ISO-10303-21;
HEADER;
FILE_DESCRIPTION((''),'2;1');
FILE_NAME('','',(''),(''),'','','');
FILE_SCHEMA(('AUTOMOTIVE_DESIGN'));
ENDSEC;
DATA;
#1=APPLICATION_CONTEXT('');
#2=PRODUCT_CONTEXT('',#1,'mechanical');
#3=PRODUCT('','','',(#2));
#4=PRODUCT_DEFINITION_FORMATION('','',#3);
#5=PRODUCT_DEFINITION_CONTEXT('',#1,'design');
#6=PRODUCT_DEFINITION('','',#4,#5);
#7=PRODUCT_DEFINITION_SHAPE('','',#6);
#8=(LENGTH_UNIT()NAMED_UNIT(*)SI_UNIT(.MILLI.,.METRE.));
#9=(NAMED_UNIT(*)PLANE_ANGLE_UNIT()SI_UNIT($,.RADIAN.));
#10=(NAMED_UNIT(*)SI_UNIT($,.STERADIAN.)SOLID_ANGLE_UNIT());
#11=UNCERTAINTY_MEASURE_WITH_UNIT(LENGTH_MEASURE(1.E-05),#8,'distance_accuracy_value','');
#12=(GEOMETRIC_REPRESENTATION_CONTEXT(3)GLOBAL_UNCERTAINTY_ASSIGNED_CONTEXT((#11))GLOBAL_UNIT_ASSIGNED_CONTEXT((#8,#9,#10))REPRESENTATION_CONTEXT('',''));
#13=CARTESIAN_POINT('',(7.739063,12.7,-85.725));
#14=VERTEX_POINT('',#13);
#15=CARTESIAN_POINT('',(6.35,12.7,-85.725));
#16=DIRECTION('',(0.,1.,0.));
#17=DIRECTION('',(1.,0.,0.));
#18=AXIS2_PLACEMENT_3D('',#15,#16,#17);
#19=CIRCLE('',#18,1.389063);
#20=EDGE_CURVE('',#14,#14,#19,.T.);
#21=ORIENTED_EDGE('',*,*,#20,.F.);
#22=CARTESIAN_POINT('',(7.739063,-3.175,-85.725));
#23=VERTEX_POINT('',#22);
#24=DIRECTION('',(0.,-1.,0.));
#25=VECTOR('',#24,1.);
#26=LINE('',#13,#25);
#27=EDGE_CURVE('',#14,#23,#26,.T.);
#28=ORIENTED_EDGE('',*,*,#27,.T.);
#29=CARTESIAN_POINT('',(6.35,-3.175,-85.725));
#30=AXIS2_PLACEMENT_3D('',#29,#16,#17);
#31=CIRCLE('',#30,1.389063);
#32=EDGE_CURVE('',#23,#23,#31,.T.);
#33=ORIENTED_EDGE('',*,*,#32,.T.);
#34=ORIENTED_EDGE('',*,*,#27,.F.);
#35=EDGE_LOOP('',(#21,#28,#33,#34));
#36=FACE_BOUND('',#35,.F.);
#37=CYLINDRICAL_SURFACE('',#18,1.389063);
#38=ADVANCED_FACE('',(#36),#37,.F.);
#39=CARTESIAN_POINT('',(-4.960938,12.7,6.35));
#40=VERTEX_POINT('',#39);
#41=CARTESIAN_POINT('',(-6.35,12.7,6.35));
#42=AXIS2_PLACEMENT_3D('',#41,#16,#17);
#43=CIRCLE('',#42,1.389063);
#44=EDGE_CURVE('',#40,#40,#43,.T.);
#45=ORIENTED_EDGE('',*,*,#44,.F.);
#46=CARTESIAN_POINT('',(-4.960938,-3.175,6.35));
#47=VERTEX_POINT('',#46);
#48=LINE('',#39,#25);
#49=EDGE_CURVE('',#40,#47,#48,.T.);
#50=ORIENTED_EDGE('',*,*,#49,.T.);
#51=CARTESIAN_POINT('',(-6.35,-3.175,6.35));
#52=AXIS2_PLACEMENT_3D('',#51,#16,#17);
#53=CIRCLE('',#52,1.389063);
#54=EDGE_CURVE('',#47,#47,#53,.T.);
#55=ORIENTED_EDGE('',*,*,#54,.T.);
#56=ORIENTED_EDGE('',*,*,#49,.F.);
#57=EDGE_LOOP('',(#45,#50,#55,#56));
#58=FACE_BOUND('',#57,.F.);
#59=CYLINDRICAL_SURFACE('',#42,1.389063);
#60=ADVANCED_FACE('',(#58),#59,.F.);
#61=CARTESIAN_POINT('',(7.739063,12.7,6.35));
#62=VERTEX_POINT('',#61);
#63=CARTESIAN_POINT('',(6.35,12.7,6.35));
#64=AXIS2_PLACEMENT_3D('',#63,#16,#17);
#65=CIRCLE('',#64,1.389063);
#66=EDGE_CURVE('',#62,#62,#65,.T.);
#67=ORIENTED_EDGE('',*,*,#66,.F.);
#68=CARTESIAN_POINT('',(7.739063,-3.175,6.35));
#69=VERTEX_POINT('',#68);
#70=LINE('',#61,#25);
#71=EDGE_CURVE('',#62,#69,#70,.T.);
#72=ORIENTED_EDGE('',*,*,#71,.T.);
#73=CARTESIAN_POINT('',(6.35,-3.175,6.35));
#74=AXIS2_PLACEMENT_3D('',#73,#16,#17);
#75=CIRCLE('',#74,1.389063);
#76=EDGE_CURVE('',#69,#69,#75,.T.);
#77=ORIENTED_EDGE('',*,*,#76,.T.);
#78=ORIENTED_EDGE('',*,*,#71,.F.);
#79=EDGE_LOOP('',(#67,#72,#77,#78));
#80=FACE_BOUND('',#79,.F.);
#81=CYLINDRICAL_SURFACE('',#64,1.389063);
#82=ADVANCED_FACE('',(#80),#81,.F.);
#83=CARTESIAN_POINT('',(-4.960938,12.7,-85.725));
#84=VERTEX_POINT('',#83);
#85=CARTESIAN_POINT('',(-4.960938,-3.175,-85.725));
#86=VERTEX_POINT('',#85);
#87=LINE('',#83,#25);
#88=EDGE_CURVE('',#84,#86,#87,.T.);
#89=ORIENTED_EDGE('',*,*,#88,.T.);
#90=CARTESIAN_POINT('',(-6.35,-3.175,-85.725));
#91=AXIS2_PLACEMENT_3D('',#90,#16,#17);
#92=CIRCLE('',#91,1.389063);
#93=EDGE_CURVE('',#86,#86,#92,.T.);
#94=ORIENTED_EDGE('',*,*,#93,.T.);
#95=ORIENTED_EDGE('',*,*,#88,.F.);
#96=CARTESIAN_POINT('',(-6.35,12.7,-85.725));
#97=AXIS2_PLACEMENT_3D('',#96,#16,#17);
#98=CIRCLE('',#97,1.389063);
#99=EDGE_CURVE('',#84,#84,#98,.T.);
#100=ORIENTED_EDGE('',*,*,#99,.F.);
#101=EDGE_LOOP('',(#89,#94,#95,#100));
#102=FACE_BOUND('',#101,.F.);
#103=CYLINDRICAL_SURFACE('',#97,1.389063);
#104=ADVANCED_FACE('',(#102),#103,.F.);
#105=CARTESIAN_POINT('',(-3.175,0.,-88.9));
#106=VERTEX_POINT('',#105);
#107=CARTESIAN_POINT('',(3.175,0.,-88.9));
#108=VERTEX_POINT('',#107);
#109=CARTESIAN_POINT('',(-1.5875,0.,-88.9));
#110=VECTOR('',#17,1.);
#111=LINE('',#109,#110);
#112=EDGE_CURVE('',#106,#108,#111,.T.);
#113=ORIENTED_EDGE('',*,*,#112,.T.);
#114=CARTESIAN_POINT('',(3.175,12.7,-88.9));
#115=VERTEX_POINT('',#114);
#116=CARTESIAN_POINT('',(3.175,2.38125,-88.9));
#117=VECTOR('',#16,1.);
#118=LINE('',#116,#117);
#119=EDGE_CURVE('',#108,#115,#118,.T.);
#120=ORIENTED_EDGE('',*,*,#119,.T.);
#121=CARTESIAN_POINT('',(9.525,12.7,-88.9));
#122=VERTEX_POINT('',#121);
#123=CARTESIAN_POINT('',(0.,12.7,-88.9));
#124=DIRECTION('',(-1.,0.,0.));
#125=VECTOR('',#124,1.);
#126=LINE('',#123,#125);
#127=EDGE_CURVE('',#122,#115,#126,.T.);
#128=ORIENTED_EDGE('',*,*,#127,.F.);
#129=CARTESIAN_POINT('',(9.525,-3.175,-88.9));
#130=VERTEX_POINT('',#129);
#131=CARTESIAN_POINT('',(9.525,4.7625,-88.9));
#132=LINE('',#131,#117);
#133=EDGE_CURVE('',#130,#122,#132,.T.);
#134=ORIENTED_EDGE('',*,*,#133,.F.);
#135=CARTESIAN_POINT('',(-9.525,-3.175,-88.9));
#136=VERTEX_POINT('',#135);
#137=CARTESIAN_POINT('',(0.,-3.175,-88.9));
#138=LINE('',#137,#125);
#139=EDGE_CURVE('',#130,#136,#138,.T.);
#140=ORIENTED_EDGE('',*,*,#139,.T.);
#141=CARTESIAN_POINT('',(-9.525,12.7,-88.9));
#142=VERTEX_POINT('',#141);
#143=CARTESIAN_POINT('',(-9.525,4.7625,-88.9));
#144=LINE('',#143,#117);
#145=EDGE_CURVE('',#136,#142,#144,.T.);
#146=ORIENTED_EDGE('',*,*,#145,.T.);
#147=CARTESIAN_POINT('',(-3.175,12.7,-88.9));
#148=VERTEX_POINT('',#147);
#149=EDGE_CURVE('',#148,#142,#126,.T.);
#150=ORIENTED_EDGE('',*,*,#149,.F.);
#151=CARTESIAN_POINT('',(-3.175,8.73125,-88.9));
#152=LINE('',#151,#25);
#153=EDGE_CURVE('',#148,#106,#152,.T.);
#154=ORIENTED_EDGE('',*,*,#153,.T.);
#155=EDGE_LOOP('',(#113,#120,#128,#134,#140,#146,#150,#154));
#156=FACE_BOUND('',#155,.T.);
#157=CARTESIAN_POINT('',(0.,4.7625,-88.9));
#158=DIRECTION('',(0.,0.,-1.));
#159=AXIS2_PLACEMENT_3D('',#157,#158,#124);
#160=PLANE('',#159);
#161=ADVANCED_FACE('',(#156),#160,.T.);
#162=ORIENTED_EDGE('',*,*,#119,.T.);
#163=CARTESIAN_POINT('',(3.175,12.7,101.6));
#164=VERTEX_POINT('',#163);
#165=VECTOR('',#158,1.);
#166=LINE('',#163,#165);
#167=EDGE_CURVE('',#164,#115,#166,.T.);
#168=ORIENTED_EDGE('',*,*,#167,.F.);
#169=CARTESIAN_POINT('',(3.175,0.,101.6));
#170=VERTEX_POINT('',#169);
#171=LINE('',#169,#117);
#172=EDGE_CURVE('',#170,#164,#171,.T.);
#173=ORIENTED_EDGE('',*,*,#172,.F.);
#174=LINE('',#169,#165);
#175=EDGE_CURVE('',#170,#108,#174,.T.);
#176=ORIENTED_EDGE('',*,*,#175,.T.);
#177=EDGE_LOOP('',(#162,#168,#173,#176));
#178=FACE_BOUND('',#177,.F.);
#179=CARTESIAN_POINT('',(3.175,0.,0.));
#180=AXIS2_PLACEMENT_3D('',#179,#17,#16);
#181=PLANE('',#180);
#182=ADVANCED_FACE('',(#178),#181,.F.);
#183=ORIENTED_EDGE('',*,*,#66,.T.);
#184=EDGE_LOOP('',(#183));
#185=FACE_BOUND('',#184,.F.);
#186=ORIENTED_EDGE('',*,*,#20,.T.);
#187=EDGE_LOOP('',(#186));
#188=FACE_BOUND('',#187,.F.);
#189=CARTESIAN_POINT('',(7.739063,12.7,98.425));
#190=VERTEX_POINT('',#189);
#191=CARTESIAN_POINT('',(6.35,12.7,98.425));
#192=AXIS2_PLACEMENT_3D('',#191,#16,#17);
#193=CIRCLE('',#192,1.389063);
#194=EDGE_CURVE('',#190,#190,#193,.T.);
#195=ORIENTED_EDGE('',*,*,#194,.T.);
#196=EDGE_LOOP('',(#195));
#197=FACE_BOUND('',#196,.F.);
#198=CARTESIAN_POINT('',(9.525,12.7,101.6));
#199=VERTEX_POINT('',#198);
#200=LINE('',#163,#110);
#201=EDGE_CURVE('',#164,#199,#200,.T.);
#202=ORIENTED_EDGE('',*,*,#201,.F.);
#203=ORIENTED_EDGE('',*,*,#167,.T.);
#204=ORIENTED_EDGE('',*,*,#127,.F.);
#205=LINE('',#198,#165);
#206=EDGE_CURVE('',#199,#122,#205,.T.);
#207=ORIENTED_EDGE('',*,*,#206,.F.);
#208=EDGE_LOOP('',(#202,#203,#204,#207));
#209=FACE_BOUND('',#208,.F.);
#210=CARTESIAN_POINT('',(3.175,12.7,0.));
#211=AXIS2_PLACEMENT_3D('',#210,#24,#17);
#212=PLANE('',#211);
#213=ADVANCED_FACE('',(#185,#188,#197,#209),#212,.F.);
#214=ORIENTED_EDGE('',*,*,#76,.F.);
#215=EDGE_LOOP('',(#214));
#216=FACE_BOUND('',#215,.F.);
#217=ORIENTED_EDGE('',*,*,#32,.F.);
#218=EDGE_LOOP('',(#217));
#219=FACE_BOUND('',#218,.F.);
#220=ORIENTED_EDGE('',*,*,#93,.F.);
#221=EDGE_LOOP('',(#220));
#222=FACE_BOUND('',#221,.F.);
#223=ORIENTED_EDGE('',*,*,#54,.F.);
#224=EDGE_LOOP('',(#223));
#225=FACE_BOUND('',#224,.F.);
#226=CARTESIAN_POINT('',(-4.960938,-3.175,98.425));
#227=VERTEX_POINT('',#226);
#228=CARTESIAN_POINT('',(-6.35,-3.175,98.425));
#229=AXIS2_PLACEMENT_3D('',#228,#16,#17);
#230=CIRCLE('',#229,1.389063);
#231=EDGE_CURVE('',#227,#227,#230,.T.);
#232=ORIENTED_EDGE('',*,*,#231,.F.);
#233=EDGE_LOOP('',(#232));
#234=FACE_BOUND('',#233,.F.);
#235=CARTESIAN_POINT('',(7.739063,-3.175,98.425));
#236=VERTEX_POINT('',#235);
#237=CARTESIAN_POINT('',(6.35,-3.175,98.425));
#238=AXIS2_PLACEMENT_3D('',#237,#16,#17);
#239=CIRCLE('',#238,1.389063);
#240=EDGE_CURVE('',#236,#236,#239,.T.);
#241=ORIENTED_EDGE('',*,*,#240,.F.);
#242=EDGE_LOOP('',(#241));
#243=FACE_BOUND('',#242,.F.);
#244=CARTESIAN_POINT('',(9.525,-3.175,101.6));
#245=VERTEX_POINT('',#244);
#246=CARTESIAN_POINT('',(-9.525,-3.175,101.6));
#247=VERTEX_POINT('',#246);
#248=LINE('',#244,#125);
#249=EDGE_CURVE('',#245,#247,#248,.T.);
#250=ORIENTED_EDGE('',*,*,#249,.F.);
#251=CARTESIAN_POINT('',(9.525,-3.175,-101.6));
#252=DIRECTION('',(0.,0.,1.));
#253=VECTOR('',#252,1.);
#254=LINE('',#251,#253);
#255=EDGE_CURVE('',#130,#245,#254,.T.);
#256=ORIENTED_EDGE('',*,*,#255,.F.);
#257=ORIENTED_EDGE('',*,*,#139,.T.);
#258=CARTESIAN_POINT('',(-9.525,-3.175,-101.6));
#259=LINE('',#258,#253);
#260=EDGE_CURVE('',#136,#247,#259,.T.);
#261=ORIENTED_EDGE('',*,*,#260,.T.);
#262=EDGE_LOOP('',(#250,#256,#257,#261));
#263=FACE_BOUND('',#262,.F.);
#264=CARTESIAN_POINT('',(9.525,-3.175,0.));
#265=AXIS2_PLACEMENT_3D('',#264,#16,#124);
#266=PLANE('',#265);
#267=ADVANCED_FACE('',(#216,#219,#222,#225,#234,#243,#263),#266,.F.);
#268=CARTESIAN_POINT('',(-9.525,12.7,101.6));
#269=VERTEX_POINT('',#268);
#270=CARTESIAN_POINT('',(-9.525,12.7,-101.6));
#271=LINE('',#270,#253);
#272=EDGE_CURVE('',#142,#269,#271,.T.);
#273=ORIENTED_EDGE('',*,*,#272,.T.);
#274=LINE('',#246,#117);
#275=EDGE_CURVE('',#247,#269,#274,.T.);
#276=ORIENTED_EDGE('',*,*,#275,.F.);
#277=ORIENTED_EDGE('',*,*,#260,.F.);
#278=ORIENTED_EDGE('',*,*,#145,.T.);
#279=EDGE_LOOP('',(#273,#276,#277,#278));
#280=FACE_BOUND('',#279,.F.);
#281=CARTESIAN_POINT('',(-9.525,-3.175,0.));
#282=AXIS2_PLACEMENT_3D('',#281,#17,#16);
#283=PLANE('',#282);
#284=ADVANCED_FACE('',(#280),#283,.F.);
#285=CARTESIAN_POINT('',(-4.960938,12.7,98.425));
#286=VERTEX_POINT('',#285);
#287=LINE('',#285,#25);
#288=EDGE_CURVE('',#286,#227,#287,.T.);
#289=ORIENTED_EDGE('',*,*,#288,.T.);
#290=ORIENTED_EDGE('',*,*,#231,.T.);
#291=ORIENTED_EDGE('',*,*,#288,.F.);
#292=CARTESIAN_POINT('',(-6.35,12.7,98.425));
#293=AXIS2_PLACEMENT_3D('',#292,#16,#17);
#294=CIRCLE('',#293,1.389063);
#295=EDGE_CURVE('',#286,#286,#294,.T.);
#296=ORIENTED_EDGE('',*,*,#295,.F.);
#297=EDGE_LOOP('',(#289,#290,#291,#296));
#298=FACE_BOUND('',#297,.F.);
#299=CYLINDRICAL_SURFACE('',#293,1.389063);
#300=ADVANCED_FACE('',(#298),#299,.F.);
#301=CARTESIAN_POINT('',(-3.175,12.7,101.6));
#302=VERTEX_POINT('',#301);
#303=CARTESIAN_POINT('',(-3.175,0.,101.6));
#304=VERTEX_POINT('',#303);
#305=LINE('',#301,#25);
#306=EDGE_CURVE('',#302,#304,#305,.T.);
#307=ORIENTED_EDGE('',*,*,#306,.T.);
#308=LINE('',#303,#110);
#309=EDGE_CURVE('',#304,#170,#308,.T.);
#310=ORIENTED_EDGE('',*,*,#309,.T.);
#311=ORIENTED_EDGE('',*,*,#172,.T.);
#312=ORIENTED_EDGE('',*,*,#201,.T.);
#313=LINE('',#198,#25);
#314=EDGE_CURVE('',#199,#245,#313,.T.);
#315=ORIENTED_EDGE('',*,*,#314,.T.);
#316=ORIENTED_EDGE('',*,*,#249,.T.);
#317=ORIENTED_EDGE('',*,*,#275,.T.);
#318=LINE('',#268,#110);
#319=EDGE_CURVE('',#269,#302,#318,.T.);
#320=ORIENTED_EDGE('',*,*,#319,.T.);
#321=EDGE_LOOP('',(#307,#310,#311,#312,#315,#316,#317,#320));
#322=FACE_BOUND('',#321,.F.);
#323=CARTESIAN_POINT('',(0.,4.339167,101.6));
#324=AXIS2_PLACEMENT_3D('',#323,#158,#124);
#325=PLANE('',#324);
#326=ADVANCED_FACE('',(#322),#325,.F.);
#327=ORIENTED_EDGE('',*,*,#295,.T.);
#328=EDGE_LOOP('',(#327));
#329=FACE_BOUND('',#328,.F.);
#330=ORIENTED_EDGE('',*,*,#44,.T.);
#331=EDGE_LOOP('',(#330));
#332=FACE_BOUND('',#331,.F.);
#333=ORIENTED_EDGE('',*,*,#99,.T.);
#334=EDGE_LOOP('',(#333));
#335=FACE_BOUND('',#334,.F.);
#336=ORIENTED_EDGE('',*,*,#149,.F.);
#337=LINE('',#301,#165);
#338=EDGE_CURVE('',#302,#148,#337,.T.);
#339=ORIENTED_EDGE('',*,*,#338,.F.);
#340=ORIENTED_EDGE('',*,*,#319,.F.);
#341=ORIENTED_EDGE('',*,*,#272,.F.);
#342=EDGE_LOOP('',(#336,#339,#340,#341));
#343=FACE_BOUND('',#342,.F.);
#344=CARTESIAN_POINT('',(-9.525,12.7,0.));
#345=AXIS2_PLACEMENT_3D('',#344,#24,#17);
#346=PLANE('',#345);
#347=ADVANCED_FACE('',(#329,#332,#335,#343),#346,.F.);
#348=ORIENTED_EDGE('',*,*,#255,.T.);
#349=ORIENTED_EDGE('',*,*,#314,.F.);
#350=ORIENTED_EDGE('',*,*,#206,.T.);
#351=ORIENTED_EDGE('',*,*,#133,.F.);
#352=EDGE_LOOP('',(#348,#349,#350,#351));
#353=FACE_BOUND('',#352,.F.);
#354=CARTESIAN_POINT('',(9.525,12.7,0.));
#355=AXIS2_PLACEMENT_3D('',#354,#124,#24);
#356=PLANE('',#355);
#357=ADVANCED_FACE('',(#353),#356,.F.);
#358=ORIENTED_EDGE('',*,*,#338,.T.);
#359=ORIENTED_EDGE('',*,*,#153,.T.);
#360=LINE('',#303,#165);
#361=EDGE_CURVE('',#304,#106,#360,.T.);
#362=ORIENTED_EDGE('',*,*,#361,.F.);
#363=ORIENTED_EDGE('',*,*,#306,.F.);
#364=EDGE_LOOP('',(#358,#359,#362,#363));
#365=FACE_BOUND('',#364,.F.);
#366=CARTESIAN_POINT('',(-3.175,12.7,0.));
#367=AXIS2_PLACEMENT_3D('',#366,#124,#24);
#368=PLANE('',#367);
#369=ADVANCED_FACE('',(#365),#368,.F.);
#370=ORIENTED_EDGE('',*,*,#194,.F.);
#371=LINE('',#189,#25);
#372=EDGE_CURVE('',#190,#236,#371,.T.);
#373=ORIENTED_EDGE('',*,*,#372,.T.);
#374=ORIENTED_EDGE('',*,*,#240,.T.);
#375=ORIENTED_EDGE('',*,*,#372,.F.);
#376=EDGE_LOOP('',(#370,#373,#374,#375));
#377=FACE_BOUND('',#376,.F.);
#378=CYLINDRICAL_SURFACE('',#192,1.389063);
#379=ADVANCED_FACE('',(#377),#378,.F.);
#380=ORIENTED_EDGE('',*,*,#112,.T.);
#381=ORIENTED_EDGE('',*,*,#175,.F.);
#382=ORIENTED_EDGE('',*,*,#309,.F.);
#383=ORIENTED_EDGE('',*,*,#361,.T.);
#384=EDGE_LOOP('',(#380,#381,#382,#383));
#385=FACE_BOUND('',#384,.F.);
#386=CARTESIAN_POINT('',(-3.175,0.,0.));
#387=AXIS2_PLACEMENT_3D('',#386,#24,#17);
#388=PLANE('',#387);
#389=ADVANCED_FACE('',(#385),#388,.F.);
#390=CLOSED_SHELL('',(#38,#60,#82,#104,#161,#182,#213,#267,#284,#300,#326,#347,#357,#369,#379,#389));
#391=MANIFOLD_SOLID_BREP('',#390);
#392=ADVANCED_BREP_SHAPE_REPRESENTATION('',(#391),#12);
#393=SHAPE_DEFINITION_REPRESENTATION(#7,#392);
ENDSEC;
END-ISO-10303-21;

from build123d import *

# Parameters (mm, degrees)
BOSS_EXTRUDE1_DEPTH     = 101.6
SKETCH2_W               = 19.05
SKETCH2_H               = 15.875
CUT_EXTRUDE1_DEPTH      = 6.35
SKETCH3_W               = 19.05
SKETCH3_H               = 15.875
CUT_EXTRUDE2_DEPTH      = 6.35
SKETCH4_R               = 1.3890625
CUT_EXTRUDE3_DEPTH      = 1
CUT_EXTRUDE3_DEPTH_BACK = 16.875


with BuildPart() as part:
    # Sketch1 → Boss-Extrude1 (new body, symmetric)
    with BuildSketch(Plane.XY):
        Polygon((-9.525, 12.7), (-3.175, 12.7), (-3.175, 0), (3.175, 0), (3.175, 12.7), (9.525, 12.7), (9.525, -3.175), (-9.525, -3.175), align=None)
    extrude(amount=BOSS_EXTRUDE1_DEPTH, both=True)

    # Sketch2 → Cut-Extrude1 (cut)
    with BuildSketch(Plane.XY.offset(-101.6)):
        with Locations((0, 4.7625)):
            Rectangle(SKETCH2_W, SKETCH2_H)
    extrude(amount=CUT_EXTRUDE1_DEPTH, mode=Mode.SUBTRACT)

    # Sketch3 → Cut-Extrude2 (cut)
    with BuildSketch(Plane(origin=(0, 0, -95.25), x_dir=(-1, 0, 0), z_dir=(0, 0, -1))):
        with Locations((0, 4.7625)):
            Rectangle(SKETCH3_W, SKETCH3_H)
    extrude(amount=-CUT_EXTRUDE2_DEPTH, mode=Mode.SUBTRACT)

    # Sketch4 → Cut-Extrude3 (cut, two sides)
    with BuildSketch(Plane(origin=(0, 12.7, 0), x_dir=(1, 0, 0), z_dir=(0, 1, 0))) as cut_extrude3_sk:
        with Locations((6.35, 85.725)):
            Circle(SKETCH4_R)
        with Locations((-6.35, 85.725)):
            Circle(SKETCH4_R)
        with Locations((6.35, -6.35)):
            Circle(SKETCH4_R)
        with Locations((-6.35, -6.35)):
            Circle(SKETCH4_R)
        with Locations((6.35, -98.425)):
            Circle(SKETCH4_R)
        with Locations((-6.35, -98.425)):
            Circle(SKETCH4_R)
    extrude(amount=CUT_EXTRUDE3_DEPTH, mode=Mode.SUBTRACT)
    extrude(cut_extrude3_sk.sketch, amount=-CUT_EXTRUDE3_DEPTH_BACK, mode=Mode.SUBTRACT)


solid = part.part
